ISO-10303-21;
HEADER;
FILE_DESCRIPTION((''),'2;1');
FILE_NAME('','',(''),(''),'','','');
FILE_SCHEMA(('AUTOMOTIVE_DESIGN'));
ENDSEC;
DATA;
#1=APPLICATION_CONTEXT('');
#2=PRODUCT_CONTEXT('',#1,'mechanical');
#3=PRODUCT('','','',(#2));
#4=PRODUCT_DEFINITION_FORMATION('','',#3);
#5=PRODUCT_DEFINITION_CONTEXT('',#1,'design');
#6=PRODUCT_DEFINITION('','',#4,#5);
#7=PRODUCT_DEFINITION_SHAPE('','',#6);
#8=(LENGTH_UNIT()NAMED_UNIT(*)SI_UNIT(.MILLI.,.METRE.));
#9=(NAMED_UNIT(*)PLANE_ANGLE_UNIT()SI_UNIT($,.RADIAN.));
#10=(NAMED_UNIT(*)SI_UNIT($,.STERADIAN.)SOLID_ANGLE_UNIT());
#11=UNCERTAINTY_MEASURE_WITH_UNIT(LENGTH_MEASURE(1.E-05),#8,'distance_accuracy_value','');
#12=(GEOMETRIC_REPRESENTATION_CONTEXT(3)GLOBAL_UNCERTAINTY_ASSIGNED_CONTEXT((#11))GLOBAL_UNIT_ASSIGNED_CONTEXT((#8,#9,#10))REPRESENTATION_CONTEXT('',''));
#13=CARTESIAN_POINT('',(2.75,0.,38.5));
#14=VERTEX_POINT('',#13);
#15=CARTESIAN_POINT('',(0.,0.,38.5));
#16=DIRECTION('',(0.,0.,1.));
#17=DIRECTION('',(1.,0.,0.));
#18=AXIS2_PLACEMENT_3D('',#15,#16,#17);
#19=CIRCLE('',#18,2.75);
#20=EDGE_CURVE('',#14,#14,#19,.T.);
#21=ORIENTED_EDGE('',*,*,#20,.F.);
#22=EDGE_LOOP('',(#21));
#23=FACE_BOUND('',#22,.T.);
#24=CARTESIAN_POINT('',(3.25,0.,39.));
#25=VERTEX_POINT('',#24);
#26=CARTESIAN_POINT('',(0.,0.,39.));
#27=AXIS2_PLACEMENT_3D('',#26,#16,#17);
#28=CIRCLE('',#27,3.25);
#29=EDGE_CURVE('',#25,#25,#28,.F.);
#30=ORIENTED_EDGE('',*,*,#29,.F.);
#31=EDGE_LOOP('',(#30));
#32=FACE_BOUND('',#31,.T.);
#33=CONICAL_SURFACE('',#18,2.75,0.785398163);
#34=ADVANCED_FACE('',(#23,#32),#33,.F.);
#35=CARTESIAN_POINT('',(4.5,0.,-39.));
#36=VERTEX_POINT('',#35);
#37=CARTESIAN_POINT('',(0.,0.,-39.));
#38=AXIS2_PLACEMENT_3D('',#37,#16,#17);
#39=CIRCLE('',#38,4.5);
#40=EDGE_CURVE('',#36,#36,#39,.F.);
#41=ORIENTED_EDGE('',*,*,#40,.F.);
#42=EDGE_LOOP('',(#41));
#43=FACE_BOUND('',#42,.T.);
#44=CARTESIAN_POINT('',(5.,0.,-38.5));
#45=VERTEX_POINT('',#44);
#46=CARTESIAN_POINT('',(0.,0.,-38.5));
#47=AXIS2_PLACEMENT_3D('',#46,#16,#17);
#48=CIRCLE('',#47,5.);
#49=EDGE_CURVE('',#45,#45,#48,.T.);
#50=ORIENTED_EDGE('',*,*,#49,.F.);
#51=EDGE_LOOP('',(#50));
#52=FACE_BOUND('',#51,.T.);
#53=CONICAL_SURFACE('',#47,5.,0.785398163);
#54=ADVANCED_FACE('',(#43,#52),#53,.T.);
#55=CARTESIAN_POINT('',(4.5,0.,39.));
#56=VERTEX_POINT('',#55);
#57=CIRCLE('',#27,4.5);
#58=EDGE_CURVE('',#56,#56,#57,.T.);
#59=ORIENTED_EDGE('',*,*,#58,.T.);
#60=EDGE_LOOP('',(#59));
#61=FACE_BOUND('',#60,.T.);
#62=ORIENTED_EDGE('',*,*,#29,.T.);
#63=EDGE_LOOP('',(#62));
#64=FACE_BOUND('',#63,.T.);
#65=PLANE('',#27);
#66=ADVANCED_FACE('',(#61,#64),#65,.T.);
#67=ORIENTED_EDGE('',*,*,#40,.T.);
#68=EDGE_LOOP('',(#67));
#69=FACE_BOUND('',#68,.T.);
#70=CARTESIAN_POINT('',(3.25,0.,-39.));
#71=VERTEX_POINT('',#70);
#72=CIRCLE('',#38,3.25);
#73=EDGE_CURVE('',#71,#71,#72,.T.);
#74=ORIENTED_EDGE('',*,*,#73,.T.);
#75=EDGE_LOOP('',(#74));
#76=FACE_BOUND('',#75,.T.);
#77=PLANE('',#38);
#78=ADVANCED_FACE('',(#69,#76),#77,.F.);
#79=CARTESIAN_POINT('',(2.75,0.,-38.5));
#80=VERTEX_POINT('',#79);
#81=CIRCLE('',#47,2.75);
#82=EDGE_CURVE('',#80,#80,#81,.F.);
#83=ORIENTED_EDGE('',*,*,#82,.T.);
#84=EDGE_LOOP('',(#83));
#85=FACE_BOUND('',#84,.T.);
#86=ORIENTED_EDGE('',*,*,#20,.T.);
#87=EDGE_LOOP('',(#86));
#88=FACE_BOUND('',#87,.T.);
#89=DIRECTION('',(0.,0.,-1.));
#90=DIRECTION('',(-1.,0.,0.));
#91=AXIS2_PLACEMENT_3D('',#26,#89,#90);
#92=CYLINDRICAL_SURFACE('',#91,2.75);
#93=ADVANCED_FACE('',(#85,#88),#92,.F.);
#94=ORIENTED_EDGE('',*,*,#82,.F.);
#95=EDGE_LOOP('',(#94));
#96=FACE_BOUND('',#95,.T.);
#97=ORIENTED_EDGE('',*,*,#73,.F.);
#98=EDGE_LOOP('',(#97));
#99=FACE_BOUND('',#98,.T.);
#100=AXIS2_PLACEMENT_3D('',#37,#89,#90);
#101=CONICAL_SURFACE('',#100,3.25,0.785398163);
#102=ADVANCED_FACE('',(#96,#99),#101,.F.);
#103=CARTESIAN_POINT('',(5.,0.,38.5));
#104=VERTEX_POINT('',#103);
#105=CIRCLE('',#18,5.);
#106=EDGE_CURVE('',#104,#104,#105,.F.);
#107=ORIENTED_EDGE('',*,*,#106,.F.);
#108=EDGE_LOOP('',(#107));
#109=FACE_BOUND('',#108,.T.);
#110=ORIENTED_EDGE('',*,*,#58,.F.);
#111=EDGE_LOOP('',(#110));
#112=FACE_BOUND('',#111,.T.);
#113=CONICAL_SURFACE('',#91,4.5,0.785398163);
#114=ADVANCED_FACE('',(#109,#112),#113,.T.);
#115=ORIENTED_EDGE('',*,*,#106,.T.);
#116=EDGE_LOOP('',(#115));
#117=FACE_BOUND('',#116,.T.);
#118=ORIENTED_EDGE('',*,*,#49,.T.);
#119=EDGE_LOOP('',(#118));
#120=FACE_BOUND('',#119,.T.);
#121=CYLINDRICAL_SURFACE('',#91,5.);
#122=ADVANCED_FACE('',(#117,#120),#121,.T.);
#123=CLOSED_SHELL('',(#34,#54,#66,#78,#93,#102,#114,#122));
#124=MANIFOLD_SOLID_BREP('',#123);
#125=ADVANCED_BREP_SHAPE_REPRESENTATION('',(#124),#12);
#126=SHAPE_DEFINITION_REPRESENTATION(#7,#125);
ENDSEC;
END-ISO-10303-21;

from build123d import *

# Parameters (mm, degrees)
SKETCH1_R           = 5
SKETCH1_R_2         = 2.75
BOSS_EXTRUDE1_DEPTH = 39
CHAMFER1_SIZE       = 0.5
CHAMFER2_SIZE       = 0.5


with BuildPart() as part:
    # Sketch1 → Boss-Extrude1 (new, symmetric)
    with BuildSketch(Plane(origin=(0, 0, 0), x_dir=(0, 1, 0), z_dir=(0, 0, 1))):
        with Locations(Location((0, 0, 0), (0, 0, 270))):
            Circle(SKETCH1_R)
        with Locations(Location((0, 0, 0), (0, 0, 270))):
            Circle(SKETCH1_R_2, mode=Mode.SUBTRACT)
    extrude(amount=BOSS_EXTRUDE1_DEPTH, both=True)

    # Chamfer1
    chamfer1_edges = [part.edges().sort_by_distance(p)[0] for p in [
        (-2.75, 0, -39),
        (-2.75, 0, 39),
    ]]
    chamfer(chamfer1_edges, length=CHAMFER1_SIZE)

    # Chamfer2
    chamfer2_edges = [part.edges().sort_by_distance(p)[0] for p in [
        (-5, 0, -39),
        (-5, 0, 39),
    ]]
    chamfer(chamfer2_edges, length=CHAMFER2_SIZE)


solid = part.part
